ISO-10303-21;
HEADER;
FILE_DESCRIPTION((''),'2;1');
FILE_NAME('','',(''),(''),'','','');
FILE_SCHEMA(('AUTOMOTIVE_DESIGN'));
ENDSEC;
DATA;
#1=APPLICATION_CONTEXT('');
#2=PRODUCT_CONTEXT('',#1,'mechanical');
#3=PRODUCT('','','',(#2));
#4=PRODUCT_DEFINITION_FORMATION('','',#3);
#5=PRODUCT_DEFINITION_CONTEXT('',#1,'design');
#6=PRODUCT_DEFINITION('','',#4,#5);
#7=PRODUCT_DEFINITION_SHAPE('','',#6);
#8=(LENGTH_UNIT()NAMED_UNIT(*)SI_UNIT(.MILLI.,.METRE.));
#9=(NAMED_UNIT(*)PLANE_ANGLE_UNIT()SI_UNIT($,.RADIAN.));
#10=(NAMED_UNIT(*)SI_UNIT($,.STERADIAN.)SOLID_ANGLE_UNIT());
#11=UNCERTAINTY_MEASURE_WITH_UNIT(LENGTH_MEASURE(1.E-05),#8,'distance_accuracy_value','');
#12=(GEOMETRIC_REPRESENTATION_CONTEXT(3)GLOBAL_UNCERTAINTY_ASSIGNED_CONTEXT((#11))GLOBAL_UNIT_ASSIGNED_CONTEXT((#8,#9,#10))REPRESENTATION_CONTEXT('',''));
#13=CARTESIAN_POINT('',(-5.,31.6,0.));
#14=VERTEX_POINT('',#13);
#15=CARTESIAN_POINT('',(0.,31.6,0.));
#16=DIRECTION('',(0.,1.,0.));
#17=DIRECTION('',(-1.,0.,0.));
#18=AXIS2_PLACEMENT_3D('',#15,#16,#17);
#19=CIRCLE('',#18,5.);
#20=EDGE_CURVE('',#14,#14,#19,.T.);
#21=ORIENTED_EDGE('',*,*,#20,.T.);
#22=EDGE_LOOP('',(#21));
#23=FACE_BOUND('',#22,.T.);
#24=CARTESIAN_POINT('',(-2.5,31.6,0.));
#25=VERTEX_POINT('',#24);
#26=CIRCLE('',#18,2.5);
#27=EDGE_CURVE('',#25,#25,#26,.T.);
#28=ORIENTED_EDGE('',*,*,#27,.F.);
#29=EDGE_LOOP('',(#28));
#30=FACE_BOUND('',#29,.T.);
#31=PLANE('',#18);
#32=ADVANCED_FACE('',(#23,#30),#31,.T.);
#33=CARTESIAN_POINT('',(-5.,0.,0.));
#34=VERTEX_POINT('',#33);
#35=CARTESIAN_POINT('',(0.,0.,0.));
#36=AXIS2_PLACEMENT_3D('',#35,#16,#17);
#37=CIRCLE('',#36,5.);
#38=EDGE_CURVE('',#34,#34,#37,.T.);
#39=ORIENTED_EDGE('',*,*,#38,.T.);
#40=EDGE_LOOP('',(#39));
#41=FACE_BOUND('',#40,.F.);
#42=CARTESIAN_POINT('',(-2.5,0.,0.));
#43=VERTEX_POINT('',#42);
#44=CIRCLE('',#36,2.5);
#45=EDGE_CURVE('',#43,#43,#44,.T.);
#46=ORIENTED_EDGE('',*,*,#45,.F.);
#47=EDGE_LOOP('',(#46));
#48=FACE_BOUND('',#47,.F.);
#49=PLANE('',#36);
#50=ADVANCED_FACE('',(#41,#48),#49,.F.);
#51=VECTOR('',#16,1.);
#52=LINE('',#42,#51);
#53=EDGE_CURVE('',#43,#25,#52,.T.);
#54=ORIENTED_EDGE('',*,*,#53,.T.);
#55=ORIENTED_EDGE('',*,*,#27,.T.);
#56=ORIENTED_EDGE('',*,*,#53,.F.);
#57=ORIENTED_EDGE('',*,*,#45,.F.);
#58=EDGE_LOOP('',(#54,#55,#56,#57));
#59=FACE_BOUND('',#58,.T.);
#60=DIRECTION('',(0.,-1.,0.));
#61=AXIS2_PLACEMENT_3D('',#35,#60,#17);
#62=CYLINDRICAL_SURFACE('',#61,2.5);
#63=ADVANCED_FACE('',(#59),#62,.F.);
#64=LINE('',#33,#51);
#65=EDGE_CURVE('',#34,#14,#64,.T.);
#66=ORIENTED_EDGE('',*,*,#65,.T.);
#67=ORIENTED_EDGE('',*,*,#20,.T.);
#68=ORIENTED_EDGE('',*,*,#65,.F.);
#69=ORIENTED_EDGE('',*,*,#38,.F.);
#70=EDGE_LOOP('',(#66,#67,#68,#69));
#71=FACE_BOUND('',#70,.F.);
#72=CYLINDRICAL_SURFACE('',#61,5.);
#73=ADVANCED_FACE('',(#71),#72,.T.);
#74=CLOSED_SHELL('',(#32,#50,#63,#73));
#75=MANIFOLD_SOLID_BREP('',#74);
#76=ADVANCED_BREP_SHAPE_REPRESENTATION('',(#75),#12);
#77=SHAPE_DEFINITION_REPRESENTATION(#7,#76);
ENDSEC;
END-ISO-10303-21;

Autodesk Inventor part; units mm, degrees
ref_plane "YZ Plane" through (0, 0, 0) normal (1, 0, 0) x (0, 1, 0)
ref_plane "XZ Plane" through (0, 0, 0) normal (0, 1, 0) x (-1, 0, 0)
ref_plane "XY Plane" through (0, 0, 0) normal (0, 0, 1) x (1, 0, 0)
sketch "Sketch1" plane through (0, 0, 0) normal (0, 1, 0) x (-1, 0, 0)
  circle A0 centre (0, 0) radius 2.5
  circle A1 centre (0, 0) radius 5
  dimension "d0" = 5
  dimension "d1" = 10
extrude "Extrusion1" add sketch "Sketch1" along normal blind 31.6
properties part number "Spacer" material "Aluminum 6061"
